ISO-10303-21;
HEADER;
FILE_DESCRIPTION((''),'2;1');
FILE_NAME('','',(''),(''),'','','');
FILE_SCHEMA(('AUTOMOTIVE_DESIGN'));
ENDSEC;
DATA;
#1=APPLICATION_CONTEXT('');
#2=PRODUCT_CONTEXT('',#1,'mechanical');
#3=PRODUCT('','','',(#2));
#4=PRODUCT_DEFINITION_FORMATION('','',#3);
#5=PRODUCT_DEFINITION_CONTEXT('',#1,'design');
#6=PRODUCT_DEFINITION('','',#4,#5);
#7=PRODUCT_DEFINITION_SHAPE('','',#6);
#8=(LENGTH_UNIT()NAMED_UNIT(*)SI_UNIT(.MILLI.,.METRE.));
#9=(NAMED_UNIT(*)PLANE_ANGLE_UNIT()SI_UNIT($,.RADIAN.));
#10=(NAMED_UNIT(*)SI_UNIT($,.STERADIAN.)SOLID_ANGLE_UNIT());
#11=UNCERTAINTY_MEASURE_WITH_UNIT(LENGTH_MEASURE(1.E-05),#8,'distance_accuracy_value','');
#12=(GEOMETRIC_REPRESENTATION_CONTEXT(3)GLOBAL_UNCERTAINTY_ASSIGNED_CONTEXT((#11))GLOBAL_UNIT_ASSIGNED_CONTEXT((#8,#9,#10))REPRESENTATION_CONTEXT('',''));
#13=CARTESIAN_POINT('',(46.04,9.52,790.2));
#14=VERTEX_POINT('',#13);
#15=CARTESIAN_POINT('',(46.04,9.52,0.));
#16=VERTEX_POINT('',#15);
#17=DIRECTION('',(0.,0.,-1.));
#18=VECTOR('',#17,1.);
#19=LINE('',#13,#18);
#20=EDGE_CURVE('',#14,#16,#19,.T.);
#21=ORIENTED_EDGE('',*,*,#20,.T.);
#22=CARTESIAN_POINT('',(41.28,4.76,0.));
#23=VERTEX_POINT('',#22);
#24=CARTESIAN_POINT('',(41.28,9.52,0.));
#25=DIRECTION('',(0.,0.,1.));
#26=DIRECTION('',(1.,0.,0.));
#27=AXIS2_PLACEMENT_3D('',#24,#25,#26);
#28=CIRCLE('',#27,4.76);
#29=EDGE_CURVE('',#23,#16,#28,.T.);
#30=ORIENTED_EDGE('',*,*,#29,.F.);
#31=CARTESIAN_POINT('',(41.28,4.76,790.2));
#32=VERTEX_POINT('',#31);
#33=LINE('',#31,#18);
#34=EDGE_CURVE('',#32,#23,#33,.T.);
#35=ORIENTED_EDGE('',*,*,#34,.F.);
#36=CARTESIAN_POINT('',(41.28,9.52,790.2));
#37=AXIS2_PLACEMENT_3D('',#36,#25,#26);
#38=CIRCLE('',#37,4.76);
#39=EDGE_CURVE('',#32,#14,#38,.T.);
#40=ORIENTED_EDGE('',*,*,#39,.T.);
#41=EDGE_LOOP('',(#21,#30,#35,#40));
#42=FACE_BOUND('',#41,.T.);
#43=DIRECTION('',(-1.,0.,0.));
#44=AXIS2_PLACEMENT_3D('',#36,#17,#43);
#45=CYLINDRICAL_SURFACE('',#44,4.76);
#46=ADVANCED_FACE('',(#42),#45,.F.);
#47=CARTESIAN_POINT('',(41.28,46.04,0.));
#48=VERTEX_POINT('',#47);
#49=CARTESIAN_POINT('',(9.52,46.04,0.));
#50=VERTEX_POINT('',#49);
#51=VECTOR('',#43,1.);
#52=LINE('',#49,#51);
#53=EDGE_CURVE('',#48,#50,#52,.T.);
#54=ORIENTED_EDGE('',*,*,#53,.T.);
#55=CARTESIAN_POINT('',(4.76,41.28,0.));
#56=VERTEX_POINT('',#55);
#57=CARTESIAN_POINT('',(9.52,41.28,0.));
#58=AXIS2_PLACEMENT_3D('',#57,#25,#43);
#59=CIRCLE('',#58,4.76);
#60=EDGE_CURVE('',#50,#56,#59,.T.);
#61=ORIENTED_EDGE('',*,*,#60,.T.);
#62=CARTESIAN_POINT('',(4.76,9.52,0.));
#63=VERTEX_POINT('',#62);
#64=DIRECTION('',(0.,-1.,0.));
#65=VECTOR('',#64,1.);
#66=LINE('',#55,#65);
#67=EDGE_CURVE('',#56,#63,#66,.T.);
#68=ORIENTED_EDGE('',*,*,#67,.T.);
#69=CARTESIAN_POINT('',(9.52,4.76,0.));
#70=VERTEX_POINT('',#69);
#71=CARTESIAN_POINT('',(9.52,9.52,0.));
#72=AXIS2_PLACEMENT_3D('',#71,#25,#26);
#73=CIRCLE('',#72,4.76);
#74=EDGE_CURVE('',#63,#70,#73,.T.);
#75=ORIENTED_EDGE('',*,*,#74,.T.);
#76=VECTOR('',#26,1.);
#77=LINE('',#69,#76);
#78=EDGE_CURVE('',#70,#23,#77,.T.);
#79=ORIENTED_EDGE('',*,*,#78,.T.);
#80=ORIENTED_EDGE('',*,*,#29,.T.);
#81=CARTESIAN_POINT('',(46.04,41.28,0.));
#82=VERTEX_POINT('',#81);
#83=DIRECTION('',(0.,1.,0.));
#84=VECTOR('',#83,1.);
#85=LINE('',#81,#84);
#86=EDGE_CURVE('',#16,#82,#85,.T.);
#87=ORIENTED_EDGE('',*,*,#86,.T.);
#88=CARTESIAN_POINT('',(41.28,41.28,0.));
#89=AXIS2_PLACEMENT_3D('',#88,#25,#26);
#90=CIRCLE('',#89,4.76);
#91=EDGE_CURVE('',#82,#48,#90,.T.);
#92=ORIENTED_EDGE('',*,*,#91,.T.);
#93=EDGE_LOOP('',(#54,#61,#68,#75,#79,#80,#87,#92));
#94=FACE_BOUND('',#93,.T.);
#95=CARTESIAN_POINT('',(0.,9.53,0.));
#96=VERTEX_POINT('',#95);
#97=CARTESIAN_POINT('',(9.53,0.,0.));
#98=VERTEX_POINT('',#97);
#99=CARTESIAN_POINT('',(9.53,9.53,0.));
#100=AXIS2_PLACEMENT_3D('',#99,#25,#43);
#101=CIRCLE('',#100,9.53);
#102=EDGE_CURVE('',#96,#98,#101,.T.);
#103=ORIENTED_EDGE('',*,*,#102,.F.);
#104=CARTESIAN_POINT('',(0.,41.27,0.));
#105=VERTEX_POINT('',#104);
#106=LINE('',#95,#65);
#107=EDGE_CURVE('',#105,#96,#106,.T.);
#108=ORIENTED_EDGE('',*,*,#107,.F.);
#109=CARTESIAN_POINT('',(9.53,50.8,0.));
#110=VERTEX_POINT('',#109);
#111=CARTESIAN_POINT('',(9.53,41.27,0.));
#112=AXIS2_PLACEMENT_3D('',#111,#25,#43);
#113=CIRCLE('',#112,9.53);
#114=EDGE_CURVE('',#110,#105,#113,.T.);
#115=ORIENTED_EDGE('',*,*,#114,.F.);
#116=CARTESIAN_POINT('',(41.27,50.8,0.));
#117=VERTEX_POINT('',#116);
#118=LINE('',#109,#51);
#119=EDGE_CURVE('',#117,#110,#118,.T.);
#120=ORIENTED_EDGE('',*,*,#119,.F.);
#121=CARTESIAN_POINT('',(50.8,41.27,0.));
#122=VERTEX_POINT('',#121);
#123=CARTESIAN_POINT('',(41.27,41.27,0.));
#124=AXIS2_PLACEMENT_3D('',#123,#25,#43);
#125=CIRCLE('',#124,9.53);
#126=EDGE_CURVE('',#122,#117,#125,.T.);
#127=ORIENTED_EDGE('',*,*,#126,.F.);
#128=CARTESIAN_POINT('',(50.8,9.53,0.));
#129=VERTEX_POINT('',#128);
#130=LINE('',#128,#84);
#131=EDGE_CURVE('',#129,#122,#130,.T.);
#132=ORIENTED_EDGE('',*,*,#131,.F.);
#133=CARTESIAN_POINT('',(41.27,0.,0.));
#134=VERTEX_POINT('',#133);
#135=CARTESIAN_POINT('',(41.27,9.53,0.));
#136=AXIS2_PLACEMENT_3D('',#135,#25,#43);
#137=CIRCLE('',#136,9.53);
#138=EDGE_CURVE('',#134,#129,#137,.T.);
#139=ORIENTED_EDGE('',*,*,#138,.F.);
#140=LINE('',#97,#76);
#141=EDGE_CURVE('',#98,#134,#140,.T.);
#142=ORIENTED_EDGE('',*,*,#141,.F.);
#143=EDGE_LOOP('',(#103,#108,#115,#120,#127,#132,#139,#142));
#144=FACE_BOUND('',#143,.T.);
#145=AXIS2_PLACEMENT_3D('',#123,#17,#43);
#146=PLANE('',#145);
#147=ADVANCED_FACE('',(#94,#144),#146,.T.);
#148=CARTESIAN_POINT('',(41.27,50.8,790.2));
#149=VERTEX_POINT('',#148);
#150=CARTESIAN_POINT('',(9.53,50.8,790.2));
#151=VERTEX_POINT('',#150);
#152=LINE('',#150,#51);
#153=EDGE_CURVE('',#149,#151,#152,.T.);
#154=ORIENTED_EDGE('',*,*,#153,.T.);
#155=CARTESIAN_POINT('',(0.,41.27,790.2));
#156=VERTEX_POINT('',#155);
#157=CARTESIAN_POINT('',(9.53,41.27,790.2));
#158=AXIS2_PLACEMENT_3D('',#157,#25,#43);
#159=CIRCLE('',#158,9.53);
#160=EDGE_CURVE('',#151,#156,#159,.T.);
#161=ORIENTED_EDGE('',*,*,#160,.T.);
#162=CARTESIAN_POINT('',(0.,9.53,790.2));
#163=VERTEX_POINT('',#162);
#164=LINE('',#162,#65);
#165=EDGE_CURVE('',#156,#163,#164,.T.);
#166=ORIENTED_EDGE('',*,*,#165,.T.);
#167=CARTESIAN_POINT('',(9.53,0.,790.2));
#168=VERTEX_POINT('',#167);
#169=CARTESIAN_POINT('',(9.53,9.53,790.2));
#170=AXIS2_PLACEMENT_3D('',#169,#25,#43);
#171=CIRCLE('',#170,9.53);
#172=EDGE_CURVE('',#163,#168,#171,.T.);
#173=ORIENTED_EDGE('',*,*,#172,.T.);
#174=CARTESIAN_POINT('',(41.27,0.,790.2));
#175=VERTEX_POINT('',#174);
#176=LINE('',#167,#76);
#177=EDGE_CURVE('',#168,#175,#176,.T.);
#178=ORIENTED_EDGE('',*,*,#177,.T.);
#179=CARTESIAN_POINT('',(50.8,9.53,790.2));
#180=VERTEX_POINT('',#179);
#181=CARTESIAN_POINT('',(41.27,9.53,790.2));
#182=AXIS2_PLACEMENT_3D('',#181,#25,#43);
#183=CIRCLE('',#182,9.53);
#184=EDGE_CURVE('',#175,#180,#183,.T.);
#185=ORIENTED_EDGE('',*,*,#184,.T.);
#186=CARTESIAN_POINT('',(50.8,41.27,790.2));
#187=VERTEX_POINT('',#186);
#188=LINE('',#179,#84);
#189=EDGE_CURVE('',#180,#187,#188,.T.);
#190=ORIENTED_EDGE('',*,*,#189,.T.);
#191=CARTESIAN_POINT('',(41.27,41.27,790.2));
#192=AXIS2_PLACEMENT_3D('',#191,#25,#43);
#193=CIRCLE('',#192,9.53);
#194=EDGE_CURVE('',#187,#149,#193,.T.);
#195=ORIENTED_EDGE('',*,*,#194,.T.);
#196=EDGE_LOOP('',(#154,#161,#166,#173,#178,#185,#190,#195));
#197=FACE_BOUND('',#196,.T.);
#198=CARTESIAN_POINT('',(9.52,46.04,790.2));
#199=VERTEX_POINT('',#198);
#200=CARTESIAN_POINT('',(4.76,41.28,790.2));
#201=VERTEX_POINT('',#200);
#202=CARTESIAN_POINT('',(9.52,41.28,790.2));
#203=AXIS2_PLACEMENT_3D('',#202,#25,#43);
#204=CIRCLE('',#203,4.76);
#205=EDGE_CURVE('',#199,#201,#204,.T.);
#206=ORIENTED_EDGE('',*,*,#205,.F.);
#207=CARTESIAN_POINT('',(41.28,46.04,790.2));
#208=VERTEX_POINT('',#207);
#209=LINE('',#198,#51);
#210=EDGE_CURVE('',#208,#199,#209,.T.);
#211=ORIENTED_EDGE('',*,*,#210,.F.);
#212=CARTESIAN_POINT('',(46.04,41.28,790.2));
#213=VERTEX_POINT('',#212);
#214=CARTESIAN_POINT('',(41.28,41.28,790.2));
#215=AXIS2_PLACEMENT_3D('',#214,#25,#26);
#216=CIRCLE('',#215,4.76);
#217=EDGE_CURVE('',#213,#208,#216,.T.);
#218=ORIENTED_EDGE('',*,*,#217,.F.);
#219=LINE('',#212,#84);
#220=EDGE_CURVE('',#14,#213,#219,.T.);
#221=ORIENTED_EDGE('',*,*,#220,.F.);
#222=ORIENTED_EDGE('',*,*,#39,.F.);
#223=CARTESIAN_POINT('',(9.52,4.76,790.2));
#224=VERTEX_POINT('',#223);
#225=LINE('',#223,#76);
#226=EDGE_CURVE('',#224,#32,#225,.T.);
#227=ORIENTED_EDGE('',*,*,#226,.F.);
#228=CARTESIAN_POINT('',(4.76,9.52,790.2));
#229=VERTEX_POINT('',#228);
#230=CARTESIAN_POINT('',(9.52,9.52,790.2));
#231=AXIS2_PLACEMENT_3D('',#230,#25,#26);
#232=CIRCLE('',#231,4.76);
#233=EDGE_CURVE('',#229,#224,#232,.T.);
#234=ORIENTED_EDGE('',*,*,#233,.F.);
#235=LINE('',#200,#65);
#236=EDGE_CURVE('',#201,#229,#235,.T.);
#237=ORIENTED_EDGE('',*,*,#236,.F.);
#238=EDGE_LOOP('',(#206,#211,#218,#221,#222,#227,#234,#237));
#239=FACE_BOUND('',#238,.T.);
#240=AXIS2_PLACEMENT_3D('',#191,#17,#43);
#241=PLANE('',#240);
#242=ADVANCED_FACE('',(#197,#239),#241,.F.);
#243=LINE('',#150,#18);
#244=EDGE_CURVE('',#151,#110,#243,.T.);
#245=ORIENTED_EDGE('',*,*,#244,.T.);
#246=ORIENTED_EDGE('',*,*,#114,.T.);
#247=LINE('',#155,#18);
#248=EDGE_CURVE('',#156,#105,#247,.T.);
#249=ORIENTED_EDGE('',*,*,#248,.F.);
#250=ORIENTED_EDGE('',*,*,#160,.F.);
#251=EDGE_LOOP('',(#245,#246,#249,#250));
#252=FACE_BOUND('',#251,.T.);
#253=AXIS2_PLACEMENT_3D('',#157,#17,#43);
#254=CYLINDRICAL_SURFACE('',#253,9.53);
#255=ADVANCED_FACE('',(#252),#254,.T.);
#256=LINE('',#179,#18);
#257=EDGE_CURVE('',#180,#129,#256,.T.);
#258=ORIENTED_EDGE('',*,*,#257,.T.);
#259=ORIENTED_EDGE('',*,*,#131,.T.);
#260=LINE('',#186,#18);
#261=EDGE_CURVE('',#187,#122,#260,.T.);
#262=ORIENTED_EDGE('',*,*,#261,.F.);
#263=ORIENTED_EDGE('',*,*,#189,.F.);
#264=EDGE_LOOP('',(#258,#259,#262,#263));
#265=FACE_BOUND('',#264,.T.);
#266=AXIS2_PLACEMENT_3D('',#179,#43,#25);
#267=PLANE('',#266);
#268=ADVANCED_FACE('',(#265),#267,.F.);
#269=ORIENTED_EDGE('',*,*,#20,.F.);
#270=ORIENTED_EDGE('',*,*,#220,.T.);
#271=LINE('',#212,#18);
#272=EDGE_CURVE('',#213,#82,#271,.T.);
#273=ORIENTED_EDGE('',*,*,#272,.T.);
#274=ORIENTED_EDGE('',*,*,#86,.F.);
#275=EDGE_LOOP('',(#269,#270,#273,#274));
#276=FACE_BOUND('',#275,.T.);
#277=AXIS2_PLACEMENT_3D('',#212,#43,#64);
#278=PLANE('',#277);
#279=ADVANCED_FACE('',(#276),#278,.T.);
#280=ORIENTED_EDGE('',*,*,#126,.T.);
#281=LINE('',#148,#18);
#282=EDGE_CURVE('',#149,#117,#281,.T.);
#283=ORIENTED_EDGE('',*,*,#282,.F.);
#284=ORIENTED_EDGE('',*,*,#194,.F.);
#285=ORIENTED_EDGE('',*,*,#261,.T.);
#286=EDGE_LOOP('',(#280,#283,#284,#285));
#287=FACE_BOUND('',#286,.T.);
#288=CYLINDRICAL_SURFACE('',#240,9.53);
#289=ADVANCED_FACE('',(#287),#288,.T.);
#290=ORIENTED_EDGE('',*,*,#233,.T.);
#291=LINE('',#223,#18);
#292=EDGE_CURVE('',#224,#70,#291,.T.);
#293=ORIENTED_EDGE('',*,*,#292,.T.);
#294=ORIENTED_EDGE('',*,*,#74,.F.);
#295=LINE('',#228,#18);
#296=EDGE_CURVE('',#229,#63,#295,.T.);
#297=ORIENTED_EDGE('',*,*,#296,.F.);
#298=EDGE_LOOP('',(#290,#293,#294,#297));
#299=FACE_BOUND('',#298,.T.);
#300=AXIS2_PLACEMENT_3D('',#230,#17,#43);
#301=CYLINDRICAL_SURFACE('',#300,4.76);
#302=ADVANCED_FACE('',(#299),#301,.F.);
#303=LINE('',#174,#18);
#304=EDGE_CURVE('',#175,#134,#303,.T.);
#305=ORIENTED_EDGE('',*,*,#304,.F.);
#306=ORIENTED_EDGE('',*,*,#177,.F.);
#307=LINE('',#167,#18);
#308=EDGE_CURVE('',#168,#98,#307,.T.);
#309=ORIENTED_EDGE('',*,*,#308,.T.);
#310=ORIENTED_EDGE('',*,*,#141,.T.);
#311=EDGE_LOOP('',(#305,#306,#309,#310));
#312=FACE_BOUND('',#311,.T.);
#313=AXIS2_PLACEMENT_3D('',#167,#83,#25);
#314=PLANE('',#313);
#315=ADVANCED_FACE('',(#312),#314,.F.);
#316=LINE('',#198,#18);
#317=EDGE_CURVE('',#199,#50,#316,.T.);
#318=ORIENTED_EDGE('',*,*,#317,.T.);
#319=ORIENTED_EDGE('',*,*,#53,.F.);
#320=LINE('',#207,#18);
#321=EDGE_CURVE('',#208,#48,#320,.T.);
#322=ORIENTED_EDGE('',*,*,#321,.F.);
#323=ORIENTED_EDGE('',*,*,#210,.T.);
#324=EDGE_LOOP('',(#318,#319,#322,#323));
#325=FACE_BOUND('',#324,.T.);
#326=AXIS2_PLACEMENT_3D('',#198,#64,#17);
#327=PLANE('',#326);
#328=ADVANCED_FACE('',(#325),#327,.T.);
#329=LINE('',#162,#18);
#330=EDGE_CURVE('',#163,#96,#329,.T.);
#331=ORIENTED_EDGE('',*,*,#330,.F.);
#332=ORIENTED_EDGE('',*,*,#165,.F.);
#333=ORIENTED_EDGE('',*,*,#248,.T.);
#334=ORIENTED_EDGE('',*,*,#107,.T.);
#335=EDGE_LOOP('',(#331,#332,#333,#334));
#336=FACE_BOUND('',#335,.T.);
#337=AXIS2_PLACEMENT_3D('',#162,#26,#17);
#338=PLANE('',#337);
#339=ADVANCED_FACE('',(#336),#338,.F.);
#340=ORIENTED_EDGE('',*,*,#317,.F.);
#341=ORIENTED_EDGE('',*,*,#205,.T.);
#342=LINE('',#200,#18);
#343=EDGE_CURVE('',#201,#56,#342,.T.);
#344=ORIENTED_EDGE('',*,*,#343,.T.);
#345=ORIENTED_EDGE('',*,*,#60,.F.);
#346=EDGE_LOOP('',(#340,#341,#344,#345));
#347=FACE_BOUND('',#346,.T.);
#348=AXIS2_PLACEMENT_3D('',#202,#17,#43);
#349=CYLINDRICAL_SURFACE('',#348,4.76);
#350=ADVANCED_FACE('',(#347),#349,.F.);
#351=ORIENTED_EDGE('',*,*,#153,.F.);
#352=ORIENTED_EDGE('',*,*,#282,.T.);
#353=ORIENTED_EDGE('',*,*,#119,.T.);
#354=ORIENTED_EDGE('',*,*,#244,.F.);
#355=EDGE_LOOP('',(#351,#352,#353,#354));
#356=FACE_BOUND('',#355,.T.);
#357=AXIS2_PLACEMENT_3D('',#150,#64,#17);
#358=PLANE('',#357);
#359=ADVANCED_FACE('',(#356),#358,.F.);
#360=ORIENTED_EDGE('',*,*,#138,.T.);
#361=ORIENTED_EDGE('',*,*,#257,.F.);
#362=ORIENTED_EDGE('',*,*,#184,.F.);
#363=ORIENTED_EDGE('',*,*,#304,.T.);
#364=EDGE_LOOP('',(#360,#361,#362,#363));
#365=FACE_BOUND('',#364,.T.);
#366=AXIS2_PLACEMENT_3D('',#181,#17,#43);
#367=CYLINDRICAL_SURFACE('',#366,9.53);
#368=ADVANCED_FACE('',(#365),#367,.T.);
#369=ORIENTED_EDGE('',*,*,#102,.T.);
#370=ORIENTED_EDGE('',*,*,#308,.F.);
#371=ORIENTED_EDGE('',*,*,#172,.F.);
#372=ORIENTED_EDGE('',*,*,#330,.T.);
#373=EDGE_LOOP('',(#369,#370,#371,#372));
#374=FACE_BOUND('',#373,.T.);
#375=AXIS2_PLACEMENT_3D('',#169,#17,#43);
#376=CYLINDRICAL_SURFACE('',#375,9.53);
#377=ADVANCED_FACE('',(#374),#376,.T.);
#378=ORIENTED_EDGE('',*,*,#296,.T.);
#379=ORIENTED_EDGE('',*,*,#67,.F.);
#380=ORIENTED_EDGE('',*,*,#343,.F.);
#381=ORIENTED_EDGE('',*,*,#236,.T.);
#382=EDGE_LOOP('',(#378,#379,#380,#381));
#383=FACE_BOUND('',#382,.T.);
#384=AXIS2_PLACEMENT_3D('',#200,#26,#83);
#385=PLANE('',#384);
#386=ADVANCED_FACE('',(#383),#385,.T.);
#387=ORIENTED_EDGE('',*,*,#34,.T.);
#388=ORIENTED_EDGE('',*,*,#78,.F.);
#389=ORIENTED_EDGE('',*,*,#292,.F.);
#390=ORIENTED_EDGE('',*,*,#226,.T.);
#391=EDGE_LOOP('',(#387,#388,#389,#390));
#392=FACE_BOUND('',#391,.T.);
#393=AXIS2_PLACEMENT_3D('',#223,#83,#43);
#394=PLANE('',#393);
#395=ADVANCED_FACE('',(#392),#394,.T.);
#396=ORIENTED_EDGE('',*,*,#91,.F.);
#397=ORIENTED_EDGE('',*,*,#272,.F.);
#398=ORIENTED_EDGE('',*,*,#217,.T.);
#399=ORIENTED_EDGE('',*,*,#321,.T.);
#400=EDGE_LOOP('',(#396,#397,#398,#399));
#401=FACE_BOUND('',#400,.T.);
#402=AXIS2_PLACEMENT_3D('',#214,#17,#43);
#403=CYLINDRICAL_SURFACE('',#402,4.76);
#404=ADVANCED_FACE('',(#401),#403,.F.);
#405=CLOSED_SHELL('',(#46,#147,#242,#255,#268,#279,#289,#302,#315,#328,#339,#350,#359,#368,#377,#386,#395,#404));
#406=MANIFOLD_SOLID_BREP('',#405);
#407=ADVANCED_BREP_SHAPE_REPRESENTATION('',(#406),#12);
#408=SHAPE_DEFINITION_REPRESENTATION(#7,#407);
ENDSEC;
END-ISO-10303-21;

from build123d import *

# Parameters (mm, degrees)
DODANIE_WYCI_GNI_CIE1_DEPTH = 790.2


with BuildPart() as part:
    # Szkic1 → Dodanie-wyciągnięcie1 (new body)
    with BuildSketch(Plane.XY):
        with BuildLine():
            Line((9.53, 0), (41.27, 0))
            ThreePointArc((41.27, 0), (48.008727625, 2.791272375), (50.8, 9.53))
            Line((50.8, 9.53), (50.8, 41.27))
            ThreePointArc((50.8, 41.27), (48.008727625, 48.008727625), (41.27, 50.8))
            Line((41.27, 50.8), (9.53, 50.8))
            ThreePointArc((9.53, 50.8), (2.791272375, 48.008727625), (0, 41.27))
            Line((0, 41.27), (0, 9.53))
            ThreePointArc((0, 9.53), (2.791272375, 2.791272375), (9.53, 0))
        make_face()
        with BuildLine():
            Line((9.52, 46.04), (41.28, 46.04))
            ThreePointArc((41.28, 46.04), (44.645828278, 44.645828278), (46.04, 41.28))
            Line((46.04, 41.28), (46.04, 9.52))
            ThreePointArc((46.04, 9.52), (44.645828278, 6.154171722), (41.28, 4.76))
            Line((41.28, 4.76), (9.52, 4.76))
            ThreePointArc((9.52, 4.76), (6.154171722, 6.154171722), (4.76, 9.52))
            Line((4.76, 9.52), (4.76, 41.28))
            ThreePointArc((4.76, 41.28), (6.154171722, 44.645828278), (9.52, 46.04))
        make_face(mode=Mode.SUBTRACT)
    extrude(amount=DODANIE_WYCI_GNI_CIE1_DEPTH)


solid = part.part
